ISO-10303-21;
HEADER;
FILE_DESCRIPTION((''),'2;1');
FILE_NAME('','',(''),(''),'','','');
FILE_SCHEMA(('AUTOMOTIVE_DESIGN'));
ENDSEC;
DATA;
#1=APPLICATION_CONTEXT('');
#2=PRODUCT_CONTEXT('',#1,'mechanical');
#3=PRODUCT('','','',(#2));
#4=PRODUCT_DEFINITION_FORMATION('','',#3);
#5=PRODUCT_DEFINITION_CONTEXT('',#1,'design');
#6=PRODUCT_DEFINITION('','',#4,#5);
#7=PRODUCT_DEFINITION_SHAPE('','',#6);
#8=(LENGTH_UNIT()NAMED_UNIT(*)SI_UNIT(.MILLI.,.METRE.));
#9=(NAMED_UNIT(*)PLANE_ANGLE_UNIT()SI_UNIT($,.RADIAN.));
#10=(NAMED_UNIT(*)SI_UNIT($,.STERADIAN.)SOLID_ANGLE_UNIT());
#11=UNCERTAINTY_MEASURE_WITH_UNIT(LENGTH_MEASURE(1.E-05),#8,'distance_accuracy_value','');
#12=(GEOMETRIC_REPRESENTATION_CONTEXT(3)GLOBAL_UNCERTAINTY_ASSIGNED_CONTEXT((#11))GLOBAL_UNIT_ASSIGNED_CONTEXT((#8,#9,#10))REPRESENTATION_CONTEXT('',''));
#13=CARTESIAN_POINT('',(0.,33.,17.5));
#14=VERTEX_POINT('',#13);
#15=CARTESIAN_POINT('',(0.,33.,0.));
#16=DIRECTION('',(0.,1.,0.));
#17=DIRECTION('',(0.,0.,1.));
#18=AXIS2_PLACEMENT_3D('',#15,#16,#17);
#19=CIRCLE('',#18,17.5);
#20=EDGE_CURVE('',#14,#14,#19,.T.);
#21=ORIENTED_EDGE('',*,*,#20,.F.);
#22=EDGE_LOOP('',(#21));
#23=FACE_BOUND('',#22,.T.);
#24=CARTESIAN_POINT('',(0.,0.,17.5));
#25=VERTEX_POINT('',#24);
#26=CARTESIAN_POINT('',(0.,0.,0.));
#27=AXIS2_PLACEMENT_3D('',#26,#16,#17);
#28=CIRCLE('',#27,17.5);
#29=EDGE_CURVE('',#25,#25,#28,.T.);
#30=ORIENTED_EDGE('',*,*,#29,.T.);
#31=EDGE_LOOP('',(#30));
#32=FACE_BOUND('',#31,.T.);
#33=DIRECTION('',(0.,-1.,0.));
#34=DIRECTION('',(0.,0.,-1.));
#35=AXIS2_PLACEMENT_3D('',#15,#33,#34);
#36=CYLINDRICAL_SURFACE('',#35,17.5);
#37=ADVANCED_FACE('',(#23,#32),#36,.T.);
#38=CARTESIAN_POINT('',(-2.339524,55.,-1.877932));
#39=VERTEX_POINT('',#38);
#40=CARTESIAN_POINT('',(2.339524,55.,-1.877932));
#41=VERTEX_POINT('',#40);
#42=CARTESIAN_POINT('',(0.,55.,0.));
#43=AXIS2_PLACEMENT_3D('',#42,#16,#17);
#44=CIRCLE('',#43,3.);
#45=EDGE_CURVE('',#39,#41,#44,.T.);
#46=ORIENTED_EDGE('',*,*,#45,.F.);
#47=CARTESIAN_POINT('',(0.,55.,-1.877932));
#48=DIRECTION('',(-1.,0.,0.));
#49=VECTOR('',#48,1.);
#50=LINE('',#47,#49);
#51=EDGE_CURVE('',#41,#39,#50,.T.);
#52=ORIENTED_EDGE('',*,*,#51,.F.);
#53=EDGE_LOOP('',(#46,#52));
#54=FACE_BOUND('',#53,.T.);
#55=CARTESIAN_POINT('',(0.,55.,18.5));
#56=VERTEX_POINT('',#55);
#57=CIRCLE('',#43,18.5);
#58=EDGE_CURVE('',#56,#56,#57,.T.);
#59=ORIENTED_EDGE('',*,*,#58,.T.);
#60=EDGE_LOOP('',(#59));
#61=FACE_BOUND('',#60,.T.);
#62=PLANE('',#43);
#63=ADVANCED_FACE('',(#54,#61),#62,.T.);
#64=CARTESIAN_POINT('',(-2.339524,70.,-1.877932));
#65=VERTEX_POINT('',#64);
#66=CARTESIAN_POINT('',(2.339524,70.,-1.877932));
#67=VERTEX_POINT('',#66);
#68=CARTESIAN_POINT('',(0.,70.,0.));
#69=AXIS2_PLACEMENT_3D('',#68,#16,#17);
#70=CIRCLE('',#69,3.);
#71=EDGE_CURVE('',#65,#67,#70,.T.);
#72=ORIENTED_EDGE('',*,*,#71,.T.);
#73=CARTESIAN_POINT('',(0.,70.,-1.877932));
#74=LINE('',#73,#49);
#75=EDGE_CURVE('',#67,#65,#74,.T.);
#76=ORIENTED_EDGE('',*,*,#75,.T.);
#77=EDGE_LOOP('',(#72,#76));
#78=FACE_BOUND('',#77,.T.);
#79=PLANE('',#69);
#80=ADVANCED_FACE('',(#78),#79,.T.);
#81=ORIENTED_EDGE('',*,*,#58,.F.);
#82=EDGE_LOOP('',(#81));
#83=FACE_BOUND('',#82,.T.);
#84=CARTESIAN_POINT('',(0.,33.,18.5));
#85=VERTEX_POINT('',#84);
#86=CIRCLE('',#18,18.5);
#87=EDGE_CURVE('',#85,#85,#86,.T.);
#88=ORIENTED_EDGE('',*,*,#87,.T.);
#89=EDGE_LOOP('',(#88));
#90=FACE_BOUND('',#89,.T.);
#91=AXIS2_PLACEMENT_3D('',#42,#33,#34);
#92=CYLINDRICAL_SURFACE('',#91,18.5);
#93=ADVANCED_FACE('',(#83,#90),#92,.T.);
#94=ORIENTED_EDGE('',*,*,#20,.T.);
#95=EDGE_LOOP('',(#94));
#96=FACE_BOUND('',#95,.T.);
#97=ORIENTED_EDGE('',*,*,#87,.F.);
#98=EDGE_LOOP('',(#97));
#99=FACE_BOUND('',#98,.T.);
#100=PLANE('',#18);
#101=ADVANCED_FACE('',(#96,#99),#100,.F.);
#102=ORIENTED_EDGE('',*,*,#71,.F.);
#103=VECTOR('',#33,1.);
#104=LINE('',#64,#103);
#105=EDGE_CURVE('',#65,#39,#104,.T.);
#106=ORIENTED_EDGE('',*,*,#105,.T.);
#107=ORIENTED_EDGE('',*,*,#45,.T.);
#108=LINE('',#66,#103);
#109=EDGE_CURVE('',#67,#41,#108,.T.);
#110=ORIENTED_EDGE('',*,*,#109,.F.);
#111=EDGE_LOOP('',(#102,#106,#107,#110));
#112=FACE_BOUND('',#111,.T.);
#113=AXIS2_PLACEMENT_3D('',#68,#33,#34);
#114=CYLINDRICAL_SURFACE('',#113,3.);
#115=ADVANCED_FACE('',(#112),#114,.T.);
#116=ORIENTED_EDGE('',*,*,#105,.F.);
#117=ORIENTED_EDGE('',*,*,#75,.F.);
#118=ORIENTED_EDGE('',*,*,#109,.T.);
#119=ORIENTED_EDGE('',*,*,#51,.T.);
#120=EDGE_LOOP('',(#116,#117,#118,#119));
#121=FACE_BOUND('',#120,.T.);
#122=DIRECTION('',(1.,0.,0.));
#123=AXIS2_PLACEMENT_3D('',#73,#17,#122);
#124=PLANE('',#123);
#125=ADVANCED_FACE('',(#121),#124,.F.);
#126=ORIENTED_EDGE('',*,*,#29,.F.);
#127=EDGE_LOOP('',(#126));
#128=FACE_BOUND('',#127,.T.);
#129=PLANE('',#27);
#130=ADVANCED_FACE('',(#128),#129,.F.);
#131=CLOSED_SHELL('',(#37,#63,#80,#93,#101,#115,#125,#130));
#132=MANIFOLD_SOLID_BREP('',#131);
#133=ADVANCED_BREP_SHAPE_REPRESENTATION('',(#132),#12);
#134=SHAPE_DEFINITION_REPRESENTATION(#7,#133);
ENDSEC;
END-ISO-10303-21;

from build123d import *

# Parameters (mm, degrees)
SKETCH_1_R      = 17.5
EXTRUDE_1_DEPTH = 33
SKETCH_2_R      = 18.5
EXTRUDE_2_DEPTH = 22
EXTRUDE_3_DEPTH = 15


with BuildPart() as part:
    # 草图1 → 凸台-拉伸1 (new body)
    with BuildSketch(Plane(origin=(0, 0, 0), x_dir=(1, 0, 0), z_dir=(0, 1, 0))):
        with Locations(Location((0, 0, 0), (0, 0, 270))):
            Circle(SKETCH_1_R)
    extrude(amount=EXTRUDE_1_DEPTH)

    # 草图2 → 凸台-拉伸2 (add)
    with BuildSketch(Plane(origin=(0, 33, 0), x_dir=(1, 0, 0), z_dir=(0, 1, 0))):
        with Locations(Location((0, 0, 0), (0, 0, 270))):
            Circle(SKETCH_2_R)
    extrude(amount=EXTRUDE_2_DEPTH)

    # 草图3 → 凸台-拉伸3 (add)
    with BuildSketch(Plane(origin=(0, 55, 0), x_dir=(1, 0, 0), z_dir=(0, 1, 0))):
        with BuildLine():
            Line((2.339523617, 1.877932173), (0, 1.877932173))
            Line((0, 1.877932173), (-2.339523617, 1.877932173))
            ThreePointArc((-2.339523617, 1.877932173), (-0.99534646, -2.830068095), (3, 0))
            ThreePointArc((3, 0), (2.830068095, 0.99534646), (2.339523617, 1.877932173))
        make_face()
    extrude(amount=EXTRUDE_3_DEPTH)


solid = part.part
